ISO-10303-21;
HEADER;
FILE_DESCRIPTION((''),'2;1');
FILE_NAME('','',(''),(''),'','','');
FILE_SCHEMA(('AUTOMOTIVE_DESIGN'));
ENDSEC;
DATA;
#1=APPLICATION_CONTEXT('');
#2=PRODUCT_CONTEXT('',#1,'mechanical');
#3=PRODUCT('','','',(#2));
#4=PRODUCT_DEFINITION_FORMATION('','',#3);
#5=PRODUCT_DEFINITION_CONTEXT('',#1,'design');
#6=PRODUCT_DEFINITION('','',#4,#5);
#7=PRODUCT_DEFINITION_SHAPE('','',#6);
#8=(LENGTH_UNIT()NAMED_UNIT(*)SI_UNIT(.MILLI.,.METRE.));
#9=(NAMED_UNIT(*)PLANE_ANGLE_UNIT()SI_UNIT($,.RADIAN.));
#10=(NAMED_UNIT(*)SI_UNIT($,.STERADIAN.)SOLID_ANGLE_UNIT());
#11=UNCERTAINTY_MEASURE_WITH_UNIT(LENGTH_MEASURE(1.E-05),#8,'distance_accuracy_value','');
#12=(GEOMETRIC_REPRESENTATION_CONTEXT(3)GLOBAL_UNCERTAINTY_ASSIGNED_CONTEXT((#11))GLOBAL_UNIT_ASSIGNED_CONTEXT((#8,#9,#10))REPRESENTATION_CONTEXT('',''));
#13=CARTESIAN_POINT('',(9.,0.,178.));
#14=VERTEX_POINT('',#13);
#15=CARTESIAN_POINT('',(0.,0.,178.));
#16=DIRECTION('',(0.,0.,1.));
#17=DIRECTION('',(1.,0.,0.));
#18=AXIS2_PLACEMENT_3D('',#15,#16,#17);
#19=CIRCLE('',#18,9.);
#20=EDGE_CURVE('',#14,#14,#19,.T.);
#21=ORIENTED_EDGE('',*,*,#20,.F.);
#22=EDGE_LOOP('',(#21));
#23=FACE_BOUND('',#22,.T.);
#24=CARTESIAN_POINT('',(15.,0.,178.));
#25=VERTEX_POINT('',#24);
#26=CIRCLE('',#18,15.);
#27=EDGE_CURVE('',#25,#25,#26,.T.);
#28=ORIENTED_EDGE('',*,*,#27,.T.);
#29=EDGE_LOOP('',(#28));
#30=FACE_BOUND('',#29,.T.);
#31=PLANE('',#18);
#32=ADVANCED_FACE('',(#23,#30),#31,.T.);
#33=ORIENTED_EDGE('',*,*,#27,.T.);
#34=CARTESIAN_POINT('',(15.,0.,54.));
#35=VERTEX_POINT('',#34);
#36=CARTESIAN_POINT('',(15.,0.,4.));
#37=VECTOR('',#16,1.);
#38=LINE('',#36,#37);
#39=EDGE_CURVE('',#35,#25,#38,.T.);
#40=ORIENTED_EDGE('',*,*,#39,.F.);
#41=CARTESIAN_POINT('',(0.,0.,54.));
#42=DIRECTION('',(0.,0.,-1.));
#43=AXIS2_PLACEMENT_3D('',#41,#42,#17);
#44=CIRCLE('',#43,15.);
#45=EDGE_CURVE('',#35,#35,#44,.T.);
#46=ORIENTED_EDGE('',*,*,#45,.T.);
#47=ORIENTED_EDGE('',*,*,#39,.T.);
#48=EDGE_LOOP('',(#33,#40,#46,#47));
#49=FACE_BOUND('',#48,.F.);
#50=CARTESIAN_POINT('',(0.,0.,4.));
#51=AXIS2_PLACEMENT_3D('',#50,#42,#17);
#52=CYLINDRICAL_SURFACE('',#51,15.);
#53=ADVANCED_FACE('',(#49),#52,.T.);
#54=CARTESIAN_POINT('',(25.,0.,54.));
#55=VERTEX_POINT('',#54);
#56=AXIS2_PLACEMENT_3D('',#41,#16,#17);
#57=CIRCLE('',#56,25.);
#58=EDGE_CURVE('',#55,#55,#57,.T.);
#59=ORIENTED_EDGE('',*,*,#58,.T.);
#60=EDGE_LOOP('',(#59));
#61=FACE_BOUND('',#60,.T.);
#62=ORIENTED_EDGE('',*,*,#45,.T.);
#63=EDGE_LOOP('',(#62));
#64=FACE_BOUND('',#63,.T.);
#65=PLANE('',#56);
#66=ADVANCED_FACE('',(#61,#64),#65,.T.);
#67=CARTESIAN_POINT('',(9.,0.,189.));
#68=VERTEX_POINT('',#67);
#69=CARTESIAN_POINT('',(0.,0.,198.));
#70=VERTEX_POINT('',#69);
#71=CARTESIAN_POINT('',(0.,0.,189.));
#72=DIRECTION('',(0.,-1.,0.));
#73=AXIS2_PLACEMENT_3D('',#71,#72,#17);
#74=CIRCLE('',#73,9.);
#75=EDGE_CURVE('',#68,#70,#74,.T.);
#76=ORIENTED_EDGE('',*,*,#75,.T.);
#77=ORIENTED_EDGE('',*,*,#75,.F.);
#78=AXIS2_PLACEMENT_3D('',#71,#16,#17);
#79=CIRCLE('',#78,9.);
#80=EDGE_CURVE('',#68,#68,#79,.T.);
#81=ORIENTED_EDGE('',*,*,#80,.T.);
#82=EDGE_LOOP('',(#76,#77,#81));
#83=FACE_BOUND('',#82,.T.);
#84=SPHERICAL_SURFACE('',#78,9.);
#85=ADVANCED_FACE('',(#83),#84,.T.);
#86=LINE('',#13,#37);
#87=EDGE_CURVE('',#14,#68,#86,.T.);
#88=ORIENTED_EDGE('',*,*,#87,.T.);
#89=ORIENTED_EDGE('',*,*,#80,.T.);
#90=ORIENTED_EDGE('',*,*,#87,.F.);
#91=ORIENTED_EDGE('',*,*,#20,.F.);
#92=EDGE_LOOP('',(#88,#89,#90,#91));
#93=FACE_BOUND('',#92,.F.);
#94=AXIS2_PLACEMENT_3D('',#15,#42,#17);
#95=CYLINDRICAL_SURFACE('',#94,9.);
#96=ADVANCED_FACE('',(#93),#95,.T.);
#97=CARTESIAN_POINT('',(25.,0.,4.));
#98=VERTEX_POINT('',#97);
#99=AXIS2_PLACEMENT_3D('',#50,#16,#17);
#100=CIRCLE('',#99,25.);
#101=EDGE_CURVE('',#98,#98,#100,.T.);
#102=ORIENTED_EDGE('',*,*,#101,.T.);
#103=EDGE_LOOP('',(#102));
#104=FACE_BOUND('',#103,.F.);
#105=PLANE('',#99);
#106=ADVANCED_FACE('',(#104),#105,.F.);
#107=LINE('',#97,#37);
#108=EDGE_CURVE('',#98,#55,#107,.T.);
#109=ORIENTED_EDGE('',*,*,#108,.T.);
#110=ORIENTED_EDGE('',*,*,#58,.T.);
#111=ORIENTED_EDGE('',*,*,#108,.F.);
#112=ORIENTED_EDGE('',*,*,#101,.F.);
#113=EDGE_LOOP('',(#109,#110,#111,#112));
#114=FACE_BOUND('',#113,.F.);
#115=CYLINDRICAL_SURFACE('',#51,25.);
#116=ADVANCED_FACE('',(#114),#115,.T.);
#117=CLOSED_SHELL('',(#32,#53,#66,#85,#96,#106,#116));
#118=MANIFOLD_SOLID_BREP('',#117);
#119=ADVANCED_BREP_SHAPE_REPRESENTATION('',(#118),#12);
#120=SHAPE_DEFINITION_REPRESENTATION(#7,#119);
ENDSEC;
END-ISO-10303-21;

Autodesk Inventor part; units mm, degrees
ref_plane "YZ Plane" through (0, 0, 0) normal (1, 0, 0) x (0, 1, 0)
ref_plane "Work Plane1" through (0, 0, 4) normal (0, 0, 1) x (1, 0, 0)
sketch "Sketch2" plane through (0, 0, 4) normal (0, 0, 1) x (1, 0, 0)
  circle A0 centre (0, 0) radius 300 projected
  circle A1 centre (0, 0) radius 25
  circle A2 centre (0, 0) radius 15
  dimension "d3" = 50
  dimension "d4" = 30
extrude "Extrusion2" add sketch "Sketch2" along normal blind 50 contours A1 | A2
extrude "Extrusion3" add sketch "Sketch2" along normal blind 174 contours A2
ref_plane "Work Plane3" through (0, 0, 178) normal (0, 0, 1) x (1, 0, 0)
sketch "Sketch3" plane through (0, 0, 178) normal (0, 0, 1) x (1, 0, 0)
  circle A0 centre (0, 0) radius 15 projected
  circle A1 centre (0, 0) radius 9
  dimension "d9" = 18
extrude "Extrusion4" add sketch "Sketch3" along normal blind 20 contours A1
ref_plane "Work Plane2" through (0, 0, 4) normal (0, 0, 1) x (1, 0, 0)
sketch "Sketch4" plane through (0, 0, 4) normal (0, 0, 1) x (1, 0, 0)
  circle A0 centre (0, 0) radius 25 projected
  circle A1 centre (0, 0) radius 300 projected
  line L0 (0, 0) -> (0, 300)
  line L1 (0, 0) -> (0, -300)
  line L2 (0, 0) -> (300, 0)
fillet "Fillet2" radius 9 1 edges at (-9, 0, 198)
properties part number "Lilin"
